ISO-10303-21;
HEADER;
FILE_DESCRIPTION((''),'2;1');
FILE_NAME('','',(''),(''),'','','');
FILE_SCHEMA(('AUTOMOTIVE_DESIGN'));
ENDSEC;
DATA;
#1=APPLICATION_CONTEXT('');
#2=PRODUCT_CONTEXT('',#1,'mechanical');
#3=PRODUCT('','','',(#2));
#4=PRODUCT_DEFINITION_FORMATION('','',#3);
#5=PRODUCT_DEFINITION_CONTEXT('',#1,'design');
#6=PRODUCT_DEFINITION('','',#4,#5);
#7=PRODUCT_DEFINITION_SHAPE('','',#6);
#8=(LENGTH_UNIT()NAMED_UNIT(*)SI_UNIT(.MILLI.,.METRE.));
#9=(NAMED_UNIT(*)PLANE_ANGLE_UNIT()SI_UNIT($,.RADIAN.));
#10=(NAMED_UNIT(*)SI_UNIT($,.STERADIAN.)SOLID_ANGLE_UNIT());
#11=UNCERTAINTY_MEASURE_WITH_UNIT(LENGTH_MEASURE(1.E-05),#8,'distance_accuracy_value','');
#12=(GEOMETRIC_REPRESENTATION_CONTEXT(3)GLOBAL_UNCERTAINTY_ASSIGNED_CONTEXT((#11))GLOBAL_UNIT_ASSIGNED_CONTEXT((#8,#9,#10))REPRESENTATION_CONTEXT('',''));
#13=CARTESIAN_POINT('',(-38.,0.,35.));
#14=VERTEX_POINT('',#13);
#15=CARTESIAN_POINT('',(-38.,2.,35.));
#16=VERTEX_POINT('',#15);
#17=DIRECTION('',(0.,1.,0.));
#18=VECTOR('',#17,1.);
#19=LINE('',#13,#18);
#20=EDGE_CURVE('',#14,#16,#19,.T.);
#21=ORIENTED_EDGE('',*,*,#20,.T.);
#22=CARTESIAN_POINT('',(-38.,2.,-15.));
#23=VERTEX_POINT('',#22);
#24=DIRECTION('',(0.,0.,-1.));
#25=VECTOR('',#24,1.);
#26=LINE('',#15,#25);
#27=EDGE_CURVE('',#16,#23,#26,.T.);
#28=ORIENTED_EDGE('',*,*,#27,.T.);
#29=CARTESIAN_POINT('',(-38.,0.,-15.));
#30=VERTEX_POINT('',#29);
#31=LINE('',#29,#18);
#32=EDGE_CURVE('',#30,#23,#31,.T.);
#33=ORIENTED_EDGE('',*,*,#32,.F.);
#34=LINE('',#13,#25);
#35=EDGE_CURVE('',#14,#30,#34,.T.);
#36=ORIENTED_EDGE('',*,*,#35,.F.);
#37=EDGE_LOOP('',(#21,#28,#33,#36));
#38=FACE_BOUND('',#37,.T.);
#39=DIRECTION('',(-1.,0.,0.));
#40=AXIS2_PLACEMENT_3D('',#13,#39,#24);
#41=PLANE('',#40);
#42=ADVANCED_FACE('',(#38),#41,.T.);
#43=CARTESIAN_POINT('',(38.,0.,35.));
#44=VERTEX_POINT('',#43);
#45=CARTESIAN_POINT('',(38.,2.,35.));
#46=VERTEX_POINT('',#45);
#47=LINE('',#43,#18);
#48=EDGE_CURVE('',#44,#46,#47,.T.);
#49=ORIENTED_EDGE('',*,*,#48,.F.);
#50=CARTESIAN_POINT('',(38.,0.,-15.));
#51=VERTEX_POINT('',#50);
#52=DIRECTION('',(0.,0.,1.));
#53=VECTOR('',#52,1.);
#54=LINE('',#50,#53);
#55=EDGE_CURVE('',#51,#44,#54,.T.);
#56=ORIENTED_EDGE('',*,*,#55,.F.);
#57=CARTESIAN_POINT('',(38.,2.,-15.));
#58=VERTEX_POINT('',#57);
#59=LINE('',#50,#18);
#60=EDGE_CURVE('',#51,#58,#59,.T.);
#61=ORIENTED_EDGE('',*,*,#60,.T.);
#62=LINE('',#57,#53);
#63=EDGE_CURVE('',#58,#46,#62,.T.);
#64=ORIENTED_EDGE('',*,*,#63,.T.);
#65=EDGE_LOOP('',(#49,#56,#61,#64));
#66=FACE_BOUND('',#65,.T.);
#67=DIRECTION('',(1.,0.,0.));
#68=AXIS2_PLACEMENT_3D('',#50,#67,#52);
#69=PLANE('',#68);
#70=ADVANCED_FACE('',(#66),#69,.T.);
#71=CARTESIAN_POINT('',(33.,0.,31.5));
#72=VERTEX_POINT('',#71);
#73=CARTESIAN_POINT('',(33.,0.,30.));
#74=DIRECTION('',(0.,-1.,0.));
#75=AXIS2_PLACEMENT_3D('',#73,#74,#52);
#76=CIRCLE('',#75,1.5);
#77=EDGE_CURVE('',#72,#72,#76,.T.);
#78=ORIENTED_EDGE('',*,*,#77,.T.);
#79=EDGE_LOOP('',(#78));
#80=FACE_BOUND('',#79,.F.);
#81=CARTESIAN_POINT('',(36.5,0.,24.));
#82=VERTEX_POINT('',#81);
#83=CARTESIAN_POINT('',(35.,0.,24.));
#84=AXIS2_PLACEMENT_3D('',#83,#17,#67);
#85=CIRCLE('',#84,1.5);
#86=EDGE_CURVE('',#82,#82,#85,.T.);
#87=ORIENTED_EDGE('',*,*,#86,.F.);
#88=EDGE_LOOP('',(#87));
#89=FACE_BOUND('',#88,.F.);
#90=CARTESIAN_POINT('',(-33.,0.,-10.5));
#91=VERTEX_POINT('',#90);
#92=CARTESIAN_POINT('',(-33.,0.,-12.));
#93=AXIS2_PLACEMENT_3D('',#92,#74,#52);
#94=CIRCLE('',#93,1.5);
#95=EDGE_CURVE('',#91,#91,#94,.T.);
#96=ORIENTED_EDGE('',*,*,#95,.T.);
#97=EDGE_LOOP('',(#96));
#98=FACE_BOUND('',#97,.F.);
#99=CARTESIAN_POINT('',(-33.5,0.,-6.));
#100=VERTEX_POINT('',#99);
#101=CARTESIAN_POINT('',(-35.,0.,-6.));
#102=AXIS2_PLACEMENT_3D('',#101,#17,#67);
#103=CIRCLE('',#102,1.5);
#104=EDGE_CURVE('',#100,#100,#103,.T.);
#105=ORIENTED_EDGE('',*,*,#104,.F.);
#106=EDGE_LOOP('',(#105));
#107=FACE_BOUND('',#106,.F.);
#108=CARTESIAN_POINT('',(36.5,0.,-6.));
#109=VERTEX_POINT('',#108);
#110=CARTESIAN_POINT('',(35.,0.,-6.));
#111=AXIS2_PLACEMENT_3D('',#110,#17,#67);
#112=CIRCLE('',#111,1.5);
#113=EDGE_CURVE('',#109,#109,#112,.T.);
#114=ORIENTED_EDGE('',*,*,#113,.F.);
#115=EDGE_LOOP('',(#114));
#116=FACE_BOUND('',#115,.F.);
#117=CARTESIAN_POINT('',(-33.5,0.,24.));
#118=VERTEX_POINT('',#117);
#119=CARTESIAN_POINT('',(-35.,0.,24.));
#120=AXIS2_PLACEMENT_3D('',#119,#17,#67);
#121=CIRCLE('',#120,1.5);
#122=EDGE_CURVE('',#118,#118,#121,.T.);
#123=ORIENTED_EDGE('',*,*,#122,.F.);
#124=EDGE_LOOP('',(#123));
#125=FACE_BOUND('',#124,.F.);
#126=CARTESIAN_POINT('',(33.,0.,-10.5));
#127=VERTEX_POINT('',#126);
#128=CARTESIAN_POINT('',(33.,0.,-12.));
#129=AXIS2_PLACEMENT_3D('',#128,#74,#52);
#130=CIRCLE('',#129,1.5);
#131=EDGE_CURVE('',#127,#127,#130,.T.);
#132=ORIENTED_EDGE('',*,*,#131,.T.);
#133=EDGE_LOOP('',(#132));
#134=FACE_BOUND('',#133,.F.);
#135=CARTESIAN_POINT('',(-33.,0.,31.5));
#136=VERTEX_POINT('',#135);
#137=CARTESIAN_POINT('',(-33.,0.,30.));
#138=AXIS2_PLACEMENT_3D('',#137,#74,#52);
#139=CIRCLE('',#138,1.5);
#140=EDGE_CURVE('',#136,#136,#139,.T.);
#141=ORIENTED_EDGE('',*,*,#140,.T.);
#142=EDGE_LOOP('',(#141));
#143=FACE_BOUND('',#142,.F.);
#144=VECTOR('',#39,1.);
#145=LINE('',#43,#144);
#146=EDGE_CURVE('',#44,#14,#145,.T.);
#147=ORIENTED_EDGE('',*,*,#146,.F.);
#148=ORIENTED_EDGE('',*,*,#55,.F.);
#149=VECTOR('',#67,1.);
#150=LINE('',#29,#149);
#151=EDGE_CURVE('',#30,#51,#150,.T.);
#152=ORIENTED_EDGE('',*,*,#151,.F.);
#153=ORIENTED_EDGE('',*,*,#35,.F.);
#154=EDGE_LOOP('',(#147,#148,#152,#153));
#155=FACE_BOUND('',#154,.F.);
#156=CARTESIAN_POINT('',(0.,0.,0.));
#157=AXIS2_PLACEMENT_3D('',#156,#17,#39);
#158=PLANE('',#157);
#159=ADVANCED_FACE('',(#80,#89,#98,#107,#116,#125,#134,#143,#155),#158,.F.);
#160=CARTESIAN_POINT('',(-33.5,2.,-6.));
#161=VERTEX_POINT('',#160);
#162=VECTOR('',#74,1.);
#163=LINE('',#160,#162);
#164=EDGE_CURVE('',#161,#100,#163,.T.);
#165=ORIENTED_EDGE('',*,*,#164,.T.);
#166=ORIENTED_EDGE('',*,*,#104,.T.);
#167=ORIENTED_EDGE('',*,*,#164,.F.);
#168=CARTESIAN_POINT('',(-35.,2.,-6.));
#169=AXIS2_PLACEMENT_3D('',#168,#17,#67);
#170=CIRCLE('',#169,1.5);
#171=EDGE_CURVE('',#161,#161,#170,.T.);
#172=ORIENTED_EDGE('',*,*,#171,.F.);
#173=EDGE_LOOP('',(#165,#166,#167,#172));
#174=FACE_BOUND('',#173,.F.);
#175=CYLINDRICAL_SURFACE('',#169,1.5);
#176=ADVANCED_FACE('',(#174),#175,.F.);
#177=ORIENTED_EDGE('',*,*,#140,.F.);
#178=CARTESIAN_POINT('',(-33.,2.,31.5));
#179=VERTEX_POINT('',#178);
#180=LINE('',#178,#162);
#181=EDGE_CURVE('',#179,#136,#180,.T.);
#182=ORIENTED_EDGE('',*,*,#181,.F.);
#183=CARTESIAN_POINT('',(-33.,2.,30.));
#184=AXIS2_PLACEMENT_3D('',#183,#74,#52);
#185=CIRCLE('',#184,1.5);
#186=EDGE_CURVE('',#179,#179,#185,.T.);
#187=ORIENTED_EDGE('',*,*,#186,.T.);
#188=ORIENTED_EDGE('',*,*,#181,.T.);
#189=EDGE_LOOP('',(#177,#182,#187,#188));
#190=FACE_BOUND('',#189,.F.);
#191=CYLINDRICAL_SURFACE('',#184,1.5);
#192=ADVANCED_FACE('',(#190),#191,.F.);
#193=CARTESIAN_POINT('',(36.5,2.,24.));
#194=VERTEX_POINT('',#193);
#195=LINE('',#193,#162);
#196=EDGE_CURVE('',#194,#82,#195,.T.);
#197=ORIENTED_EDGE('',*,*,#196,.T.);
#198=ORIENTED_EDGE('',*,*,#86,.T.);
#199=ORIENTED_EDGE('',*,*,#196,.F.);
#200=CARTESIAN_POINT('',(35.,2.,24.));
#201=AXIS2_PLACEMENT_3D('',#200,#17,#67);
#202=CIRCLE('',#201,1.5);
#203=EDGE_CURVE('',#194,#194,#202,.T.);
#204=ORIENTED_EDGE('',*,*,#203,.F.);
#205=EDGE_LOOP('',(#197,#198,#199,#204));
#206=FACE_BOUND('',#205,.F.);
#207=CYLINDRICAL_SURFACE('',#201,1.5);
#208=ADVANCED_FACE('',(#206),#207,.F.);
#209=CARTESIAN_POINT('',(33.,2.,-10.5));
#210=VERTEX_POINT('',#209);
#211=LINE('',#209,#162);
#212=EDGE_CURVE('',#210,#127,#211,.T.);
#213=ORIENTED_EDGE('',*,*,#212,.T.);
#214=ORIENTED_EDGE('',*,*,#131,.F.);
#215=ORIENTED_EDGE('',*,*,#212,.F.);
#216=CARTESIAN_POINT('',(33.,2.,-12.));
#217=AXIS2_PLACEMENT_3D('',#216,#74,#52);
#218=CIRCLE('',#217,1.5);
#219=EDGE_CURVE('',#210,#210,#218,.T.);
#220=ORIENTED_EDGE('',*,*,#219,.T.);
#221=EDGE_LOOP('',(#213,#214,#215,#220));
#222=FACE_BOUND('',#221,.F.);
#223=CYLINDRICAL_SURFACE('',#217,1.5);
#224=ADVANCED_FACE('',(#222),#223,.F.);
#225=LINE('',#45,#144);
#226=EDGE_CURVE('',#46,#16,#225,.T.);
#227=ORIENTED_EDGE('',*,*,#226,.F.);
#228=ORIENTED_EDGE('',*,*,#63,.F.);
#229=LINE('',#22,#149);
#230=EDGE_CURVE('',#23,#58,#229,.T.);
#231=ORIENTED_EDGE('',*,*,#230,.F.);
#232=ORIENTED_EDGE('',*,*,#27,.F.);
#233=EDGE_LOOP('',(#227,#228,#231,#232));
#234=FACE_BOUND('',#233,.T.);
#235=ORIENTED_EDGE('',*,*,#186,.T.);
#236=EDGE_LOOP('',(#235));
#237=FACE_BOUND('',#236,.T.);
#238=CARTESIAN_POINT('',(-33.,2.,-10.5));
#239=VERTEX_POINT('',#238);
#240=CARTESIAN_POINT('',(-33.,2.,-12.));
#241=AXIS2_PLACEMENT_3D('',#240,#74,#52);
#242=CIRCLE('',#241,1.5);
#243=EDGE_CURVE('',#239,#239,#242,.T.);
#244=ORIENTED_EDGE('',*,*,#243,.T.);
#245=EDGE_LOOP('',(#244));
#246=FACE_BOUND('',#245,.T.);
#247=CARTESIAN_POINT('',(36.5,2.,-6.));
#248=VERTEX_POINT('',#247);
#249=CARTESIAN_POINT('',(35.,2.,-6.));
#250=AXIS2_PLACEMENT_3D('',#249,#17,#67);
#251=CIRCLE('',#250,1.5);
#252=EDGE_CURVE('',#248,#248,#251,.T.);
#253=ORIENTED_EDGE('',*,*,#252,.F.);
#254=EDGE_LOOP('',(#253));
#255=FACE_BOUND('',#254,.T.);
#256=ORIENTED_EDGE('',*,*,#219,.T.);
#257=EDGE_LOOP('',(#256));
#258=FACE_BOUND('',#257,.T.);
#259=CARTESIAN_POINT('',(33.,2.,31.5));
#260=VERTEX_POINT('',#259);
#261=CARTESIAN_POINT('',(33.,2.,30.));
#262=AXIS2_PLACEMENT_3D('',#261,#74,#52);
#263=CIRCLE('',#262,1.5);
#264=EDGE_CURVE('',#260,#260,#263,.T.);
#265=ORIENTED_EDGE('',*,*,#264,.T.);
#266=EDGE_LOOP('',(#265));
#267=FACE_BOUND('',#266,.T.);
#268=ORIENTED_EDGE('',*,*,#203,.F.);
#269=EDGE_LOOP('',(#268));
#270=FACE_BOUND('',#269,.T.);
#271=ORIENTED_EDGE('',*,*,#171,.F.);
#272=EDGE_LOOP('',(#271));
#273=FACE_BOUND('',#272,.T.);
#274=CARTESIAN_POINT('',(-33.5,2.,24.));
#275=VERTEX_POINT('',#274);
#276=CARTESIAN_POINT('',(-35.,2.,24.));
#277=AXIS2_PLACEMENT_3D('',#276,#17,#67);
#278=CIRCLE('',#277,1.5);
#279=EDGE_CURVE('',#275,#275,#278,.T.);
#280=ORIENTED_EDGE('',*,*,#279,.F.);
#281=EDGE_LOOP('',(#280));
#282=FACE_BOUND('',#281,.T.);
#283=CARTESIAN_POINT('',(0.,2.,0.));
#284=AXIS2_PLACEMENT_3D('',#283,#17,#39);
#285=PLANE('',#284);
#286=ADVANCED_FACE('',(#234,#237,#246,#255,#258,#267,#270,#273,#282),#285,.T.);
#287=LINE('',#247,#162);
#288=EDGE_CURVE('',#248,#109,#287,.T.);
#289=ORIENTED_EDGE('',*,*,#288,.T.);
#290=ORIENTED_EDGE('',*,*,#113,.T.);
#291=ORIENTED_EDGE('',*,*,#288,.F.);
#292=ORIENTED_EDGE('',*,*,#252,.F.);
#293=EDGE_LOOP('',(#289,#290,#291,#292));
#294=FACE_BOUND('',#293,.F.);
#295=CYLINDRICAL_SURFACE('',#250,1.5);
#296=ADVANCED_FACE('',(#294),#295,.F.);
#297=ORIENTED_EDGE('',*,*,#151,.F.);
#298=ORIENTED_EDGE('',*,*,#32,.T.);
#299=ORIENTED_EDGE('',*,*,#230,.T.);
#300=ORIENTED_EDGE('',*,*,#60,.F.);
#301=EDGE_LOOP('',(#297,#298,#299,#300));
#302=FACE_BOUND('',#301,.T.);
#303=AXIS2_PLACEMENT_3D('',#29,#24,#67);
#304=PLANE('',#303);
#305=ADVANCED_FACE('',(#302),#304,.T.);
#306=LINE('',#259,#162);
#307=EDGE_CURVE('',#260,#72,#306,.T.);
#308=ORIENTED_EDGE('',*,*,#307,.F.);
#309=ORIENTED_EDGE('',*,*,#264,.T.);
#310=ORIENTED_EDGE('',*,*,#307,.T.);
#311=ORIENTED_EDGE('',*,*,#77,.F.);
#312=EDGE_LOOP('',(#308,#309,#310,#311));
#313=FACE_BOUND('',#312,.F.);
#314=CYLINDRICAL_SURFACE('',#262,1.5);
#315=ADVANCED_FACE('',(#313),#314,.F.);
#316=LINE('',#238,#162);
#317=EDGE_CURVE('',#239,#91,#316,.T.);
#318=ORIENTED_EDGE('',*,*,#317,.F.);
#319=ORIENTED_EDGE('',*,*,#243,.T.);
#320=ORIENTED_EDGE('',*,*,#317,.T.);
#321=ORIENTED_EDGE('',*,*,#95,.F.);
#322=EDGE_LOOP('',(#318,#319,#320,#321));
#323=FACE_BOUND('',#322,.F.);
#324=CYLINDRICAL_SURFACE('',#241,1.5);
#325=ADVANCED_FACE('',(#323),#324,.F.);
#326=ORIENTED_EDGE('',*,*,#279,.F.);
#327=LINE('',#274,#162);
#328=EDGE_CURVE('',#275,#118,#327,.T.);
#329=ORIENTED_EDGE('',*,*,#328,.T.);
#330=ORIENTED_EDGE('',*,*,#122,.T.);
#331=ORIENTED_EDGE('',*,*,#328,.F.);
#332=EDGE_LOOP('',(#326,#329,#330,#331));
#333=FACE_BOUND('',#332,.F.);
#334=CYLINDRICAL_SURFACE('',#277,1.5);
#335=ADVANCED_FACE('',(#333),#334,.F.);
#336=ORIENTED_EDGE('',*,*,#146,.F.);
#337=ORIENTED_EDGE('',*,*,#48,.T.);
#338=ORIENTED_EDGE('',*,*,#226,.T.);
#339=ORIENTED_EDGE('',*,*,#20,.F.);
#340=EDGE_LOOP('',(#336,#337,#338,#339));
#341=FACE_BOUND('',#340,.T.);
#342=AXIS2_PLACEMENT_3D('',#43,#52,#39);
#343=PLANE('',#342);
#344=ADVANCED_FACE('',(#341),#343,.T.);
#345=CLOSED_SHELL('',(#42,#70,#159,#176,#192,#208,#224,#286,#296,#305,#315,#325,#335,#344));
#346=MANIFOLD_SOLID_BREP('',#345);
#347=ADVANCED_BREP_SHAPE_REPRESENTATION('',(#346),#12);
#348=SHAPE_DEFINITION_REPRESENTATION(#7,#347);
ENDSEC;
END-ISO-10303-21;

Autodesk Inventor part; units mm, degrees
ref_plane "YZ Plane" through (0, 0, 0) normal (1, 0, 0) x (0, 1, 0)
ref_plane "XZ Plane" through (0, 0, 0) normal (0, 1, 0) x (-1, 0, 0)
ref_plane "XY Plane" through (0, 0, 0) normal (0, 0, 1) x (1, 0, 0)
sketch "スケッチ1" plane through (0, 0, 0) normal (0, 1, 0) x (-1, 0, 0)
  line L0 (-38, 35) -> (38, 35)
  line L1 (38, 35) -> (38, -15)
  line L2 (38, -15) -> (-38, -15)
  line L3 (-38, -15) -> (-38, 35)
  point P0 (0, 0)
  dimension "d0" = 76
  dimension "d3" = 50
  dimension "d4" = 35
  dimension "d5" = 38
extrude "押し出し1" add sketch "スケッチ1" along normal blind 2
sketch "スケッチ2" plane through (0, 2, 0) normal (0, 1, 0) x (1, 0, 0)
  line L0 (-38, -35) -> (38, -35) projected
  line L1 (38, -35) -> (38, 15) projected
  line L2 (38, 15) -> (-38, 15) projected
  line L3 (-38, 15) -> (-38, -35) projected
  circle A0 centre (-35, 6) radius 1.5
  circle A1 centre (-35, -24) radius 1.5
  circle A2 centre (35, -24) radius 1.5
  circle A3 centre (35, 6) radius 1.5
  point P0 (0, 0)
  dimension "d9" = 3
  dimension "d10" = 30
  dimension "d11" = 70
  dimension "d12" = 70
  dimension "d13" = 3
  dimension "d14" = 11
  dimension "d15" = 30
  dimension "d16" = 3
  dimension "d19" = 11
extrude "押し出し2" cut sketch "スケッチ2" against normal blind 2 keep common part
sketch "スケッチ3" plane through (0, 2, 0) normal (0, 1, 0) x (1, 0, 0)
  circle A0 centre (35, 6) radius 1.5 projected
  line L0 (-38, -35) -> (38, -35) projected
  line L1 (-38, 15) -> (-38, -35) projected
  circle A1 centre (-33, 12) radius 1.5
  circle A2 centre (-33, -30) radius 1.5
  circle A3 centre (33, -30) radius 1.5
  circle A4 centre (33, 12) radius 1.5
  point P0 (0, 0)
  dimension "d20" = 66
  dimension "d22" = 42
  dimension "d23" = 42
  dimension "d24" = 66
  dimension "d25" = 5
  dimension "d26" = 5
  dimension "d27" = 5
  dimension "d28" = 5
hole "穴1" at (-33, 2, 30) at (33, 2, 30) at (33, 2, -12) at (-33, 2, -12) direction (0, -1, 0) diameter 3 end through all
properties part number "circuit_plate"
